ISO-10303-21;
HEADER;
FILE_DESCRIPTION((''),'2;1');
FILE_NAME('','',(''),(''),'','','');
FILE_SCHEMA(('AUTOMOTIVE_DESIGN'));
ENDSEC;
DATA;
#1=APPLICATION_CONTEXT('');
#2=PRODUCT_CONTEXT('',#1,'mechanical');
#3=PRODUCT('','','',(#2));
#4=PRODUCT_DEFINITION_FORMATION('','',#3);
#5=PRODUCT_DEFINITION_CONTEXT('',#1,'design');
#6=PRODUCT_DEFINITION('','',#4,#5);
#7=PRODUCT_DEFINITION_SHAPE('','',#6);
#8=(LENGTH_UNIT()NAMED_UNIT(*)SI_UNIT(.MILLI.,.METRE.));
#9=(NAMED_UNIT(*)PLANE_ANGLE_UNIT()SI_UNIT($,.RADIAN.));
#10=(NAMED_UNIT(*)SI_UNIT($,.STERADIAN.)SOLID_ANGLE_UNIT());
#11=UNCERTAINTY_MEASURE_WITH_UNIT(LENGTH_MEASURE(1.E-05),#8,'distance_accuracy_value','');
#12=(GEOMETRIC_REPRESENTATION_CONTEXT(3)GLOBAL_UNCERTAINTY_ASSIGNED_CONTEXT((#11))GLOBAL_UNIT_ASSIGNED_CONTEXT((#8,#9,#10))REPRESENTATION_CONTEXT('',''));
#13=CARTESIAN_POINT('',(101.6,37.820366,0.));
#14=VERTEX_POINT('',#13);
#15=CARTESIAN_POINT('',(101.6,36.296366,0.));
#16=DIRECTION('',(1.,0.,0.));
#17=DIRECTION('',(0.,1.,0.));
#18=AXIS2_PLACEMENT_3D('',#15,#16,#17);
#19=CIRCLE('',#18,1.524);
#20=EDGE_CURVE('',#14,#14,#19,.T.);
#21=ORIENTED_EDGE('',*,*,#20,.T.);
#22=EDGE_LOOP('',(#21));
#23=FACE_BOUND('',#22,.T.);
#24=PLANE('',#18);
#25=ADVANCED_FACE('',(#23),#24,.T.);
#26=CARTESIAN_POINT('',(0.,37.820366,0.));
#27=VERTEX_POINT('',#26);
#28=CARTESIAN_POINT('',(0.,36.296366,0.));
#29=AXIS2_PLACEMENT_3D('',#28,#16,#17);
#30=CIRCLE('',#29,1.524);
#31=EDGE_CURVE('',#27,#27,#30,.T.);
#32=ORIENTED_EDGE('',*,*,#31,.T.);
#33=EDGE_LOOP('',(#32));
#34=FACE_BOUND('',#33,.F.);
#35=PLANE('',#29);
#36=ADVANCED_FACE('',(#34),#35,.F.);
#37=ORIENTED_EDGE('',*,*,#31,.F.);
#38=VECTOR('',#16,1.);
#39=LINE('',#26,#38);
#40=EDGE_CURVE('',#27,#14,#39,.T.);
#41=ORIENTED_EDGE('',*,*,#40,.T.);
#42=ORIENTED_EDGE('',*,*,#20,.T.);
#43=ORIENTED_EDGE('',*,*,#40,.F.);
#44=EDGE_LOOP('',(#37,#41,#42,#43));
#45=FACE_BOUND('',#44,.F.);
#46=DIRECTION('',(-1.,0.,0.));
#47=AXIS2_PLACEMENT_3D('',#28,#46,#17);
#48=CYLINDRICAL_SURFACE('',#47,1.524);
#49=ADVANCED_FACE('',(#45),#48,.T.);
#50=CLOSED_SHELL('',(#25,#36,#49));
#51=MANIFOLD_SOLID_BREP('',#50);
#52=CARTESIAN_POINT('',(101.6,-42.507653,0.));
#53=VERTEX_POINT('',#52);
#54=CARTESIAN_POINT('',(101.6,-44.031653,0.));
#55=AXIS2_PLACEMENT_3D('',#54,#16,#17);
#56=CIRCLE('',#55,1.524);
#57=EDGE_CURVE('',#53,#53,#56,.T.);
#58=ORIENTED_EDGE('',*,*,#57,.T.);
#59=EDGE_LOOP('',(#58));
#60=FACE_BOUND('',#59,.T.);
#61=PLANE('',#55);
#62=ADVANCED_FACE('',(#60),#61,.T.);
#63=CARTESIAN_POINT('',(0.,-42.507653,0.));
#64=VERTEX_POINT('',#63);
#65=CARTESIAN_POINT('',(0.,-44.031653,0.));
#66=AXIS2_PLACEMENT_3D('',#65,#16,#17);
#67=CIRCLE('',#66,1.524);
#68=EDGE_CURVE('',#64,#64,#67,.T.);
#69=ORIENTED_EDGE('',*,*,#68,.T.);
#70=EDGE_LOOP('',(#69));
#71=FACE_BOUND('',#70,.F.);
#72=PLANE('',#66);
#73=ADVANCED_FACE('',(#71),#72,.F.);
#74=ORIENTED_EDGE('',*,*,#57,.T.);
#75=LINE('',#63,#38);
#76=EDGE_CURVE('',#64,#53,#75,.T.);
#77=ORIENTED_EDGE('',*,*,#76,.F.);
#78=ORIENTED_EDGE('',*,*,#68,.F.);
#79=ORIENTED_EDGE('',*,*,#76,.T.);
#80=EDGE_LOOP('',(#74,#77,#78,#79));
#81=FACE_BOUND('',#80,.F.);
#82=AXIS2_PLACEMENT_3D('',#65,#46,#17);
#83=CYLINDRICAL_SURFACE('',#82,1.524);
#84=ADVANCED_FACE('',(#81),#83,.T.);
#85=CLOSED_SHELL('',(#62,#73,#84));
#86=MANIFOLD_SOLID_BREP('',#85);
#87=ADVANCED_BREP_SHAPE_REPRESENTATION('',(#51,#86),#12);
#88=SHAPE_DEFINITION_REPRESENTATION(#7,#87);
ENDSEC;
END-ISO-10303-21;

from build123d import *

# Parameters (mm, degrees)
F0_R     = 1.524
F1_DEPTH = 101.6


with BuildPart() as f1:
    # F0 (on Right) → F1 (new body)
    with BuildSketch(Plane.YZ):
        with Locations((-44.031653, 0)):
            Circle(F0_R)
        with Locations((36.296366, 0)):
            Circle(F0_R)
    extrude(amount=F1_DEPTH)


solid = f1.part
